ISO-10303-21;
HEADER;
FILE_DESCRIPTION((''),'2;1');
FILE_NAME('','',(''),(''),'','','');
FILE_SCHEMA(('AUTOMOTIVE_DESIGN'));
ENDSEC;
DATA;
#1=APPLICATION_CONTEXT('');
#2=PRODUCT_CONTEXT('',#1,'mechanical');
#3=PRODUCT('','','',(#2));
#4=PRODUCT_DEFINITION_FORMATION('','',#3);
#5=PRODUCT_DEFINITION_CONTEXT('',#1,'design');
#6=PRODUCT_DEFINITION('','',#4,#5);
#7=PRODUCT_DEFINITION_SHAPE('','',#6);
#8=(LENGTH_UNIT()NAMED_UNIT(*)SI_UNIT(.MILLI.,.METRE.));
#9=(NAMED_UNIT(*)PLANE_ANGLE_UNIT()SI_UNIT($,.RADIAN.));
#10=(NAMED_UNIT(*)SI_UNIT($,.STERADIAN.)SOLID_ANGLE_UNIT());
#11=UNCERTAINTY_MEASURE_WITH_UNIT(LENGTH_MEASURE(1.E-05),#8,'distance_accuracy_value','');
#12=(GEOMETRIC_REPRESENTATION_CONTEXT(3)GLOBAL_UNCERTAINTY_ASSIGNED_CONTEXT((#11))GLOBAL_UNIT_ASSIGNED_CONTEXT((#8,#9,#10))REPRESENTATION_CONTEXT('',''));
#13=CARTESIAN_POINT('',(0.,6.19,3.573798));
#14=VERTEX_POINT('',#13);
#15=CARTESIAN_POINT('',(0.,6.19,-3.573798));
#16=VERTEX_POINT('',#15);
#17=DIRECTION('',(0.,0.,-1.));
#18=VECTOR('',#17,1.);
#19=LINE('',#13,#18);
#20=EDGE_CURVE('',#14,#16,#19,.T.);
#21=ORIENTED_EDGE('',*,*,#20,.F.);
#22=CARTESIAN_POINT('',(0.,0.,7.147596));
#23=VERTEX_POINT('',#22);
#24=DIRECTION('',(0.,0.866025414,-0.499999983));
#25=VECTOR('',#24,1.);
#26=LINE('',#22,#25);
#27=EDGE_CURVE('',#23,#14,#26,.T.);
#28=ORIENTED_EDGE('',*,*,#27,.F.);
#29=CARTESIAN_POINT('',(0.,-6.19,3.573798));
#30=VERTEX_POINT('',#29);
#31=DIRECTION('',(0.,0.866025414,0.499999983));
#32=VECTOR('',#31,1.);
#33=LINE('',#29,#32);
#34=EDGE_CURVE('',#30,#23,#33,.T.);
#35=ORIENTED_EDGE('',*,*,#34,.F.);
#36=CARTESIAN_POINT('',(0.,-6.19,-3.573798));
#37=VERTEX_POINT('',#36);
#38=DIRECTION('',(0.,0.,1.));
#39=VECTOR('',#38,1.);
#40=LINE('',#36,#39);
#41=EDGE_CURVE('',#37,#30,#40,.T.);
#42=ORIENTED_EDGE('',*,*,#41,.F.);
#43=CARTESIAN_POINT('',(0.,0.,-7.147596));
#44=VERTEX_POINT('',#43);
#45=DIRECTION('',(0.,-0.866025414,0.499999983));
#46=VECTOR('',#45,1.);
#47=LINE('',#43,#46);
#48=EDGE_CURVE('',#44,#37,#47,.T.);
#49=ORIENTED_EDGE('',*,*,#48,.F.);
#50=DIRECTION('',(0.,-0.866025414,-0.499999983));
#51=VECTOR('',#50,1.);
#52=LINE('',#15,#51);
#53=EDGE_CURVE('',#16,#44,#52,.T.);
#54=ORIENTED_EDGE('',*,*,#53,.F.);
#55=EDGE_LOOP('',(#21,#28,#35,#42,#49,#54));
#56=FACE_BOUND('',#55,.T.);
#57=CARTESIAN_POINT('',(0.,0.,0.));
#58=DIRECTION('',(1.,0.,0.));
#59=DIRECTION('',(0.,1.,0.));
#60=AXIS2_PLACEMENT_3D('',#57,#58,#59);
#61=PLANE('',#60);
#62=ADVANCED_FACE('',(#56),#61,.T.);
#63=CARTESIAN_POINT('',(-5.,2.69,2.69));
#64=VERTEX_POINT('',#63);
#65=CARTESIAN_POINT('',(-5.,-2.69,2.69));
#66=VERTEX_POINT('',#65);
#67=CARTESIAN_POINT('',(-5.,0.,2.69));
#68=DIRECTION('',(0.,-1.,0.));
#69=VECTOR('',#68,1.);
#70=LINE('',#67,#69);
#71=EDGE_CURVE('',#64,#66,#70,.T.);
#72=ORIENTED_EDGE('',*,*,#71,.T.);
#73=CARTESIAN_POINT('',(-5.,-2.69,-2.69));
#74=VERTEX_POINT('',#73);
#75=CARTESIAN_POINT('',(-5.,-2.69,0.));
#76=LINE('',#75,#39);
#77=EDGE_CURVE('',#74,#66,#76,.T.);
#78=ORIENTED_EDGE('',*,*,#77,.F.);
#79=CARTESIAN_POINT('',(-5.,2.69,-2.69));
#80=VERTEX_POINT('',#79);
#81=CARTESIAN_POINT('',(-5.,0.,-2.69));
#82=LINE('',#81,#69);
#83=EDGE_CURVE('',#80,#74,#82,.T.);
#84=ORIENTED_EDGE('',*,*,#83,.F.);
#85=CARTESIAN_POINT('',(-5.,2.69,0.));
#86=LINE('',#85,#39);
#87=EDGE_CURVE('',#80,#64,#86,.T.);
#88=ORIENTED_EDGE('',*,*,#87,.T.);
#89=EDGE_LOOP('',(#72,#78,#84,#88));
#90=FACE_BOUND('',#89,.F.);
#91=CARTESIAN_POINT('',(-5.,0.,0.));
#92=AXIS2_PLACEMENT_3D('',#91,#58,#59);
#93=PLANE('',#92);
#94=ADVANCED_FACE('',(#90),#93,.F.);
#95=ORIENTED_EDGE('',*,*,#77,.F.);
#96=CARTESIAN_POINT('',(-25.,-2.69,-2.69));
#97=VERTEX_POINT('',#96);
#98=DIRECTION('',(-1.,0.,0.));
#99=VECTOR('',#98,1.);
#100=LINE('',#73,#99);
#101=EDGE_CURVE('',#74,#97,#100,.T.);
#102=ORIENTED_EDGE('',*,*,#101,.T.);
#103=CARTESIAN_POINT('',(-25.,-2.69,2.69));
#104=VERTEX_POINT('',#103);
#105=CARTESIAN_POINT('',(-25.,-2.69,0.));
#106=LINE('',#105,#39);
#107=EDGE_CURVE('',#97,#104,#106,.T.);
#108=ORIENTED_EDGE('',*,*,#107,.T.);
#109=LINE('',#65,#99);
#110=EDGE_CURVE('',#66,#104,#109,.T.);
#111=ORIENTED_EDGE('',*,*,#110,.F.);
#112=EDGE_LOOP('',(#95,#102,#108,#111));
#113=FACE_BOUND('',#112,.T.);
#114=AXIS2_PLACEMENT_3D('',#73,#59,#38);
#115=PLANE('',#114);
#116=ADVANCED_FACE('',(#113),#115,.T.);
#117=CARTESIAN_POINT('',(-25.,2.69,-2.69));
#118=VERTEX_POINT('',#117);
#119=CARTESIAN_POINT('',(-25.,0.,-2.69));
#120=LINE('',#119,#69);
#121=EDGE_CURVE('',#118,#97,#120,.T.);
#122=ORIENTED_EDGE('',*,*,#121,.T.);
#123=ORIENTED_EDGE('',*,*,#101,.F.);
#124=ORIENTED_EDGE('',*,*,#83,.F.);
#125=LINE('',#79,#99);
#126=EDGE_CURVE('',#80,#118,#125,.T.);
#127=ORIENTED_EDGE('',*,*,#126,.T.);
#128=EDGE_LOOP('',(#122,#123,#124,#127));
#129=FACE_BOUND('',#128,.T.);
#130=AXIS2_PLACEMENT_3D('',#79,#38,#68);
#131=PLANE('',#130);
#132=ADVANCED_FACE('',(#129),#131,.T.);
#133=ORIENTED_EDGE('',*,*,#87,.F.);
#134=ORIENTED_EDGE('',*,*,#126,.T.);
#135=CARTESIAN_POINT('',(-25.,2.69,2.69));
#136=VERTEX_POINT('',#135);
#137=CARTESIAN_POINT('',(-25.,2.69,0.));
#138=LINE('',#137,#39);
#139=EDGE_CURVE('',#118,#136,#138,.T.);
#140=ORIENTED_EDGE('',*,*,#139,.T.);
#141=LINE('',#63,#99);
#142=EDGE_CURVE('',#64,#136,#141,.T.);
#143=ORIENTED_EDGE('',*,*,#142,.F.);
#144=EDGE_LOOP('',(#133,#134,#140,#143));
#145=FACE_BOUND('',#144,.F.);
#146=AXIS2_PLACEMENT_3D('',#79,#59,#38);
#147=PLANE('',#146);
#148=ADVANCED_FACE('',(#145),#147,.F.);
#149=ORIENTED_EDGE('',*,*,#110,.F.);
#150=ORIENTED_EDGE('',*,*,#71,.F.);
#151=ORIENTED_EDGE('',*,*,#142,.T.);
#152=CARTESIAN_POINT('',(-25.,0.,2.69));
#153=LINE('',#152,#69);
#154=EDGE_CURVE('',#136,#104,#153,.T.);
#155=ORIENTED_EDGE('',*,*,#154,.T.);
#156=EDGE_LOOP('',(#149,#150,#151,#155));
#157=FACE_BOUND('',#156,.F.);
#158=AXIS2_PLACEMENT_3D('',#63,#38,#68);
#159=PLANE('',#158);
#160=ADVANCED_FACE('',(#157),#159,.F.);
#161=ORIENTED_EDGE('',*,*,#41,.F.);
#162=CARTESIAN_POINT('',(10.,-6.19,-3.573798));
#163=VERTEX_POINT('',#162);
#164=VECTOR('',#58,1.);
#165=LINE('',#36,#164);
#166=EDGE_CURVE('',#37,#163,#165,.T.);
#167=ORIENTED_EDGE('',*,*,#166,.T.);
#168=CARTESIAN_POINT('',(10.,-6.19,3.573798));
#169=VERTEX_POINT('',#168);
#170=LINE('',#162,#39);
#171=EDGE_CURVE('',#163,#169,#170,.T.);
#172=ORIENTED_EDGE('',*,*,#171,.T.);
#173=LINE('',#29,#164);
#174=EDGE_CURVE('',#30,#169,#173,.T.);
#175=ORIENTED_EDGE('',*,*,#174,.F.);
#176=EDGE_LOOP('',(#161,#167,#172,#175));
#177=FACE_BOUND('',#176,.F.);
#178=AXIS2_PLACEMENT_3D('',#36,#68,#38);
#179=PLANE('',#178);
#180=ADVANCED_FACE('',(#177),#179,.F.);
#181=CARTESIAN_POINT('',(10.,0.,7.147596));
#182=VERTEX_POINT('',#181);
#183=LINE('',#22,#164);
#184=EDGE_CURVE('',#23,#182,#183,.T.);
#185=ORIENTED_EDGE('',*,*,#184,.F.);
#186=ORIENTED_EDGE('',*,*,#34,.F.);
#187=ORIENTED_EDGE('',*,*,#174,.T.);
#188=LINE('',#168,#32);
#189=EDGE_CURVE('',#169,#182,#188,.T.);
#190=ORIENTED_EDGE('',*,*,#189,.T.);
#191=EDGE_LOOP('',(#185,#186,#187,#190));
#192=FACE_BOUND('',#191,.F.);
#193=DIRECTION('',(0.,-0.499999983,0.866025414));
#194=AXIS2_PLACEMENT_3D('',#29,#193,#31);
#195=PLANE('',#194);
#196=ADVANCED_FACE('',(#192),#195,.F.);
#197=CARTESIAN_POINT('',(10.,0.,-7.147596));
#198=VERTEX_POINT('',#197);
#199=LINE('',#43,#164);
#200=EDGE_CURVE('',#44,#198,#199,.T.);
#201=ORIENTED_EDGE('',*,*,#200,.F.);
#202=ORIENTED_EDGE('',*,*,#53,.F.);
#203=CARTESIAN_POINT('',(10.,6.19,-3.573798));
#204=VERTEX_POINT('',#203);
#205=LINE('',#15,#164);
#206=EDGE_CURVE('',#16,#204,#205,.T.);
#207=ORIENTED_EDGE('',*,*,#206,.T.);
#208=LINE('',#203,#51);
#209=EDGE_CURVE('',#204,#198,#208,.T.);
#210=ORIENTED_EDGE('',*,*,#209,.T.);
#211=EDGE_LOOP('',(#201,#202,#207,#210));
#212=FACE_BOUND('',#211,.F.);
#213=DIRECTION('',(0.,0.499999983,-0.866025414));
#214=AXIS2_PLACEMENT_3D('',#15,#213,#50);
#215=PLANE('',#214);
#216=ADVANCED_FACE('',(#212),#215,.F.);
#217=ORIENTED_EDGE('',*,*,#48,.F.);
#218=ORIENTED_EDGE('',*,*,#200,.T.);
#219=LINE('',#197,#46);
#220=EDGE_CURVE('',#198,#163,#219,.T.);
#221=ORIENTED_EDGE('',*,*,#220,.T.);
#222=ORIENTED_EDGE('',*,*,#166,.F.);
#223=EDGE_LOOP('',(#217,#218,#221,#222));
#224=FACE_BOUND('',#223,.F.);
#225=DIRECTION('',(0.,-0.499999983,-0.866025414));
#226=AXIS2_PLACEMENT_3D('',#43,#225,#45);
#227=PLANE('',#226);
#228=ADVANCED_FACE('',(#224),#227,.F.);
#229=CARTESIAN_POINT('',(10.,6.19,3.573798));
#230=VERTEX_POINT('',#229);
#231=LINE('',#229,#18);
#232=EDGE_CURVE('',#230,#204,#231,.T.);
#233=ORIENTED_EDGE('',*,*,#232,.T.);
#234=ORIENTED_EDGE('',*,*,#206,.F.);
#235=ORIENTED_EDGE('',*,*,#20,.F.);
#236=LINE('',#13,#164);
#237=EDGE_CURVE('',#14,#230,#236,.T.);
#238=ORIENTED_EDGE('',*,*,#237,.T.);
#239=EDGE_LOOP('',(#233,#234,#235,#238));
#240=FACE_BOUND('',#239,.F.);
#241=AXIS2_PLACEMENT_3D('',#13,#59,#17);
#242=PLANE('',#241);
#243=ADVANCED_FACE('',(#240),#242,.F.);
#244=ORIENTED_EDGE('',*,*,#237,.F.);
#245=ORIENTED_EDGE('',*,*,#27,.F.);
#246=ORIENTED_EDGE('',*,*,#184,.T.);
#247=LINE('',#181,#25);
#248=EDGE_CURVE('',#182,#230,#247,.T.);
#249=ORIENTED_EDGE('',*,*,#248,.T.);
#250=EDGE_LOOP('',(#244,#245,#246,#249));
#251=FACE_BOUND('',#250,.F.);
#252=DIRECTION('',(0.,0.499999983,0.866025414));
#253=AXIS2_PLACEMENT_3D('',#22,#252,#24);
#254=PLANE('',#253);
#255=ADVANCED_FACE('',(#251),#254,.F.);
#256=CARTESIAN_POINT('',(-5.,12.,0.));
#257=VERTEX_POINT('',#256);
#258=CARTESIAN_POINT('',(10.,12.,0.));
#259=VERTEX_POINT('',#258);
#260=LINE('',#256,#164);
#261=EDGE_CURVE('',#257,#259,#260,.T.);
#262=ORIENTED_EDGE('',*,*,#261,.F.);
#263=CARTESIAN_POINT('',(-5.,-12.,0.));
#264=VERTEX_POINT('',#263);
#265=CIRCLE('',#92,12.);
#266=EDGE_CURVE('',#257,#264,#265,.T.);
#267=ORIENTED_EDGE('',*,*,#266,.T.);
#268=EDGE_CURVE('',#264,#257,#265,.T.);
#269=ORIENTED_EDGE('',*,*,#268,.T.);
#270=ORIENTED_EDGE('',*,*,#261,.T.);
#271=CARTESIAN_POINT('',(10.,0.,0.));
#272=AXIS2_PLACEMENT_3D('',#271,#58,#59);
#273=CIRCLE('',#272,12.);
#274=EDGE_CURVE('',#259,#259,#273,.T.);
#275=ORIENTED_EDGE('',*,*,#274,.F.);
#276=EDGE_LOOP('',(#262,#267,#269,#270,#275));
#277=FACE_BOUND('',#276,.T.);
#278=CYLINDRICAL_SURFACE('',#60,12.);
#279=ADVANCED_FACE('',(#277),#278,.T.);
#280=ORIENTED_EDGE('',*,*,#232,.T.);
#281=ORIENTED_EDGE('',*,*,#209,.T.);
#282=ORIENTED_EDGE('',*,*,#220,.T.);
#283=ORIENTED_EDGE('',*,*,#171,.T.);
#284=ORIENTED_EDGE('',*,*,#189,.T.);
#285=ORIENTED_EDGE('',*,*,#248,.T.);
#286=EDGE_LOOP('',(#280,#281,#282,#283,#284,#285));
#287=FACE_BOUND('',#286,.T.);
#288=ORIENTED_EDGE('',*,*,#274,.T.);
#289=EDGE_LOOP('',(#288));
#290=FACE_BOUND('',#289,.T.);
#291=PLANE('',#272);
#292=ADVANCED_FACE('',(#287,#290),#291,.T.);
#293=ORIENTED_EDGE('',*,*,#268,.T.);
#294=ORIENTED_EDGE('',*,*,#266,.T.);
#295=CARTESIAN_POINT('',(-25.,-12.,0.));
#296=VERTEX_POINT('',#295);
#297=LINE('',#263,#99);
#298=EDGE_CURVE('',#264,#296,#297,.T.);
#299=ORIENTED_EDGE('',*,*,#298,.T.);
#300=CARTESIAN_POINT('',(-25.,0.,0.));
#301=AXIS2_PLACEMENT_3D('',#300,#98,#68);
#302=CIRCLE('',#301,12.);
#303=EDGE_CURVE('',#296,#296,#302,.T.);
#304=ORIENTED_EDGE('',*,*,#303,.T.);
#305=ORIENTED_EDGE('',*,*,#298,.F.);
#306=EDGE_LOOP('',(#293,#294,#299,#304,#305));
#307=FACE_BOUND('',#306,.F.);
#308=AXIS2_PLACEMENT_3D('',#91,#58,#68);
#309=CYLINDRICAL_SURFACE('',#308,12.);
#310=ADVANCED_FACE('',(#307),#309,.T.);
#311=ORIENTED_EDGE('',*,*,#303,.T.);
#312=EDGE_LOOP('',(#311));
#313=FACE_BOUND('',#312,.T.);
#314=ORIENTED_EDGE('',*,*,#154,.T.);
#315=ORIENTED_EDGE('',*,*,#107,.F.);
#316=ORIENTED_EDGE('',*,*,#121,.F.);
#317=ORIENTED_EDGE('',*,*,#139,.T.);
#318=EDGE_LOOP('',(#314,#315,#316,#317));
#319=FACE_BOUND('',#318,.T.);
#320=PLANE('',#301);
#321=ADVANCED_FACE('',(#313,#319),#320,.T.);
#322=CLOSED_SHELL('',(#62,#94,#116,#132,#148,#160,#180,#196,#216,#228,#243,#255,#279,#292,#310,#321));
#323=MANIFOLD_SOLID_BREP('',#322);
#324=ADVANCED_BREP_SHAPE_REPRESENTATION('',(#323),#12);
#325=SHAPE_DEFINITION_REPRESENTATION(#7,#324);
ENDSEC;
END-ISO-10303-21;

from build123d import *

# Parameters (mm, degrees)
F0_R     = 12
F1_DEPTH = 10
F2_DEPTH = 5
F3_R     = 12
F3_W     = 5.38
F3_H     = 5.38
F4_DEPTH = 20


with BuildPart() as f1:
    # F0 (on Right) → F1 (new body)
    with BuildSketch(Plane.YZ):
        Circle(F0_R)
        Polygon((0, 7.147596), (6.19, 3.573798), (6.19, -3.573798), (0, -7.147596), (-6.19, -3.573798), (-6.19, 3.573798), align=None, mode=Mode.SUBTRACT)
    extrude(amount=F1_DEPTH)

    # F0 (on Right) → F2 (join)
    with BuildSketch(Plane.YZ):
        Circle(F0_R)
        Polygon((0, 7.147596), (6.19, 3.573798), (6.19, -3.573798), (0, -7.147596), (-6.19, -3.573798), (-6.19, 3.573798), align=None, mode=Mode.SUBTRACT)
        Polygon((6.19, -3.573798), (6.19, 3.573798), (0, 7.147596), (-6.19, 3.573798), (-6.19, -3.573798), (0, -7.147596), align=None)
    extrude(amount=-F2_DEPTH)

    # F3 (on face) → F4 (join)
    with BuildSketch(Plane(origin=(-5, 0, 0), x_dir=(0, -1, 0), z_dir=(-1, 0, 0))):
        Circle(F3_R)
        Rectangle(F3_W, F3_H, mode=Mode.SUBTRACT)
    extrude(amount=F4_DEPTH)


solid = f1.part
